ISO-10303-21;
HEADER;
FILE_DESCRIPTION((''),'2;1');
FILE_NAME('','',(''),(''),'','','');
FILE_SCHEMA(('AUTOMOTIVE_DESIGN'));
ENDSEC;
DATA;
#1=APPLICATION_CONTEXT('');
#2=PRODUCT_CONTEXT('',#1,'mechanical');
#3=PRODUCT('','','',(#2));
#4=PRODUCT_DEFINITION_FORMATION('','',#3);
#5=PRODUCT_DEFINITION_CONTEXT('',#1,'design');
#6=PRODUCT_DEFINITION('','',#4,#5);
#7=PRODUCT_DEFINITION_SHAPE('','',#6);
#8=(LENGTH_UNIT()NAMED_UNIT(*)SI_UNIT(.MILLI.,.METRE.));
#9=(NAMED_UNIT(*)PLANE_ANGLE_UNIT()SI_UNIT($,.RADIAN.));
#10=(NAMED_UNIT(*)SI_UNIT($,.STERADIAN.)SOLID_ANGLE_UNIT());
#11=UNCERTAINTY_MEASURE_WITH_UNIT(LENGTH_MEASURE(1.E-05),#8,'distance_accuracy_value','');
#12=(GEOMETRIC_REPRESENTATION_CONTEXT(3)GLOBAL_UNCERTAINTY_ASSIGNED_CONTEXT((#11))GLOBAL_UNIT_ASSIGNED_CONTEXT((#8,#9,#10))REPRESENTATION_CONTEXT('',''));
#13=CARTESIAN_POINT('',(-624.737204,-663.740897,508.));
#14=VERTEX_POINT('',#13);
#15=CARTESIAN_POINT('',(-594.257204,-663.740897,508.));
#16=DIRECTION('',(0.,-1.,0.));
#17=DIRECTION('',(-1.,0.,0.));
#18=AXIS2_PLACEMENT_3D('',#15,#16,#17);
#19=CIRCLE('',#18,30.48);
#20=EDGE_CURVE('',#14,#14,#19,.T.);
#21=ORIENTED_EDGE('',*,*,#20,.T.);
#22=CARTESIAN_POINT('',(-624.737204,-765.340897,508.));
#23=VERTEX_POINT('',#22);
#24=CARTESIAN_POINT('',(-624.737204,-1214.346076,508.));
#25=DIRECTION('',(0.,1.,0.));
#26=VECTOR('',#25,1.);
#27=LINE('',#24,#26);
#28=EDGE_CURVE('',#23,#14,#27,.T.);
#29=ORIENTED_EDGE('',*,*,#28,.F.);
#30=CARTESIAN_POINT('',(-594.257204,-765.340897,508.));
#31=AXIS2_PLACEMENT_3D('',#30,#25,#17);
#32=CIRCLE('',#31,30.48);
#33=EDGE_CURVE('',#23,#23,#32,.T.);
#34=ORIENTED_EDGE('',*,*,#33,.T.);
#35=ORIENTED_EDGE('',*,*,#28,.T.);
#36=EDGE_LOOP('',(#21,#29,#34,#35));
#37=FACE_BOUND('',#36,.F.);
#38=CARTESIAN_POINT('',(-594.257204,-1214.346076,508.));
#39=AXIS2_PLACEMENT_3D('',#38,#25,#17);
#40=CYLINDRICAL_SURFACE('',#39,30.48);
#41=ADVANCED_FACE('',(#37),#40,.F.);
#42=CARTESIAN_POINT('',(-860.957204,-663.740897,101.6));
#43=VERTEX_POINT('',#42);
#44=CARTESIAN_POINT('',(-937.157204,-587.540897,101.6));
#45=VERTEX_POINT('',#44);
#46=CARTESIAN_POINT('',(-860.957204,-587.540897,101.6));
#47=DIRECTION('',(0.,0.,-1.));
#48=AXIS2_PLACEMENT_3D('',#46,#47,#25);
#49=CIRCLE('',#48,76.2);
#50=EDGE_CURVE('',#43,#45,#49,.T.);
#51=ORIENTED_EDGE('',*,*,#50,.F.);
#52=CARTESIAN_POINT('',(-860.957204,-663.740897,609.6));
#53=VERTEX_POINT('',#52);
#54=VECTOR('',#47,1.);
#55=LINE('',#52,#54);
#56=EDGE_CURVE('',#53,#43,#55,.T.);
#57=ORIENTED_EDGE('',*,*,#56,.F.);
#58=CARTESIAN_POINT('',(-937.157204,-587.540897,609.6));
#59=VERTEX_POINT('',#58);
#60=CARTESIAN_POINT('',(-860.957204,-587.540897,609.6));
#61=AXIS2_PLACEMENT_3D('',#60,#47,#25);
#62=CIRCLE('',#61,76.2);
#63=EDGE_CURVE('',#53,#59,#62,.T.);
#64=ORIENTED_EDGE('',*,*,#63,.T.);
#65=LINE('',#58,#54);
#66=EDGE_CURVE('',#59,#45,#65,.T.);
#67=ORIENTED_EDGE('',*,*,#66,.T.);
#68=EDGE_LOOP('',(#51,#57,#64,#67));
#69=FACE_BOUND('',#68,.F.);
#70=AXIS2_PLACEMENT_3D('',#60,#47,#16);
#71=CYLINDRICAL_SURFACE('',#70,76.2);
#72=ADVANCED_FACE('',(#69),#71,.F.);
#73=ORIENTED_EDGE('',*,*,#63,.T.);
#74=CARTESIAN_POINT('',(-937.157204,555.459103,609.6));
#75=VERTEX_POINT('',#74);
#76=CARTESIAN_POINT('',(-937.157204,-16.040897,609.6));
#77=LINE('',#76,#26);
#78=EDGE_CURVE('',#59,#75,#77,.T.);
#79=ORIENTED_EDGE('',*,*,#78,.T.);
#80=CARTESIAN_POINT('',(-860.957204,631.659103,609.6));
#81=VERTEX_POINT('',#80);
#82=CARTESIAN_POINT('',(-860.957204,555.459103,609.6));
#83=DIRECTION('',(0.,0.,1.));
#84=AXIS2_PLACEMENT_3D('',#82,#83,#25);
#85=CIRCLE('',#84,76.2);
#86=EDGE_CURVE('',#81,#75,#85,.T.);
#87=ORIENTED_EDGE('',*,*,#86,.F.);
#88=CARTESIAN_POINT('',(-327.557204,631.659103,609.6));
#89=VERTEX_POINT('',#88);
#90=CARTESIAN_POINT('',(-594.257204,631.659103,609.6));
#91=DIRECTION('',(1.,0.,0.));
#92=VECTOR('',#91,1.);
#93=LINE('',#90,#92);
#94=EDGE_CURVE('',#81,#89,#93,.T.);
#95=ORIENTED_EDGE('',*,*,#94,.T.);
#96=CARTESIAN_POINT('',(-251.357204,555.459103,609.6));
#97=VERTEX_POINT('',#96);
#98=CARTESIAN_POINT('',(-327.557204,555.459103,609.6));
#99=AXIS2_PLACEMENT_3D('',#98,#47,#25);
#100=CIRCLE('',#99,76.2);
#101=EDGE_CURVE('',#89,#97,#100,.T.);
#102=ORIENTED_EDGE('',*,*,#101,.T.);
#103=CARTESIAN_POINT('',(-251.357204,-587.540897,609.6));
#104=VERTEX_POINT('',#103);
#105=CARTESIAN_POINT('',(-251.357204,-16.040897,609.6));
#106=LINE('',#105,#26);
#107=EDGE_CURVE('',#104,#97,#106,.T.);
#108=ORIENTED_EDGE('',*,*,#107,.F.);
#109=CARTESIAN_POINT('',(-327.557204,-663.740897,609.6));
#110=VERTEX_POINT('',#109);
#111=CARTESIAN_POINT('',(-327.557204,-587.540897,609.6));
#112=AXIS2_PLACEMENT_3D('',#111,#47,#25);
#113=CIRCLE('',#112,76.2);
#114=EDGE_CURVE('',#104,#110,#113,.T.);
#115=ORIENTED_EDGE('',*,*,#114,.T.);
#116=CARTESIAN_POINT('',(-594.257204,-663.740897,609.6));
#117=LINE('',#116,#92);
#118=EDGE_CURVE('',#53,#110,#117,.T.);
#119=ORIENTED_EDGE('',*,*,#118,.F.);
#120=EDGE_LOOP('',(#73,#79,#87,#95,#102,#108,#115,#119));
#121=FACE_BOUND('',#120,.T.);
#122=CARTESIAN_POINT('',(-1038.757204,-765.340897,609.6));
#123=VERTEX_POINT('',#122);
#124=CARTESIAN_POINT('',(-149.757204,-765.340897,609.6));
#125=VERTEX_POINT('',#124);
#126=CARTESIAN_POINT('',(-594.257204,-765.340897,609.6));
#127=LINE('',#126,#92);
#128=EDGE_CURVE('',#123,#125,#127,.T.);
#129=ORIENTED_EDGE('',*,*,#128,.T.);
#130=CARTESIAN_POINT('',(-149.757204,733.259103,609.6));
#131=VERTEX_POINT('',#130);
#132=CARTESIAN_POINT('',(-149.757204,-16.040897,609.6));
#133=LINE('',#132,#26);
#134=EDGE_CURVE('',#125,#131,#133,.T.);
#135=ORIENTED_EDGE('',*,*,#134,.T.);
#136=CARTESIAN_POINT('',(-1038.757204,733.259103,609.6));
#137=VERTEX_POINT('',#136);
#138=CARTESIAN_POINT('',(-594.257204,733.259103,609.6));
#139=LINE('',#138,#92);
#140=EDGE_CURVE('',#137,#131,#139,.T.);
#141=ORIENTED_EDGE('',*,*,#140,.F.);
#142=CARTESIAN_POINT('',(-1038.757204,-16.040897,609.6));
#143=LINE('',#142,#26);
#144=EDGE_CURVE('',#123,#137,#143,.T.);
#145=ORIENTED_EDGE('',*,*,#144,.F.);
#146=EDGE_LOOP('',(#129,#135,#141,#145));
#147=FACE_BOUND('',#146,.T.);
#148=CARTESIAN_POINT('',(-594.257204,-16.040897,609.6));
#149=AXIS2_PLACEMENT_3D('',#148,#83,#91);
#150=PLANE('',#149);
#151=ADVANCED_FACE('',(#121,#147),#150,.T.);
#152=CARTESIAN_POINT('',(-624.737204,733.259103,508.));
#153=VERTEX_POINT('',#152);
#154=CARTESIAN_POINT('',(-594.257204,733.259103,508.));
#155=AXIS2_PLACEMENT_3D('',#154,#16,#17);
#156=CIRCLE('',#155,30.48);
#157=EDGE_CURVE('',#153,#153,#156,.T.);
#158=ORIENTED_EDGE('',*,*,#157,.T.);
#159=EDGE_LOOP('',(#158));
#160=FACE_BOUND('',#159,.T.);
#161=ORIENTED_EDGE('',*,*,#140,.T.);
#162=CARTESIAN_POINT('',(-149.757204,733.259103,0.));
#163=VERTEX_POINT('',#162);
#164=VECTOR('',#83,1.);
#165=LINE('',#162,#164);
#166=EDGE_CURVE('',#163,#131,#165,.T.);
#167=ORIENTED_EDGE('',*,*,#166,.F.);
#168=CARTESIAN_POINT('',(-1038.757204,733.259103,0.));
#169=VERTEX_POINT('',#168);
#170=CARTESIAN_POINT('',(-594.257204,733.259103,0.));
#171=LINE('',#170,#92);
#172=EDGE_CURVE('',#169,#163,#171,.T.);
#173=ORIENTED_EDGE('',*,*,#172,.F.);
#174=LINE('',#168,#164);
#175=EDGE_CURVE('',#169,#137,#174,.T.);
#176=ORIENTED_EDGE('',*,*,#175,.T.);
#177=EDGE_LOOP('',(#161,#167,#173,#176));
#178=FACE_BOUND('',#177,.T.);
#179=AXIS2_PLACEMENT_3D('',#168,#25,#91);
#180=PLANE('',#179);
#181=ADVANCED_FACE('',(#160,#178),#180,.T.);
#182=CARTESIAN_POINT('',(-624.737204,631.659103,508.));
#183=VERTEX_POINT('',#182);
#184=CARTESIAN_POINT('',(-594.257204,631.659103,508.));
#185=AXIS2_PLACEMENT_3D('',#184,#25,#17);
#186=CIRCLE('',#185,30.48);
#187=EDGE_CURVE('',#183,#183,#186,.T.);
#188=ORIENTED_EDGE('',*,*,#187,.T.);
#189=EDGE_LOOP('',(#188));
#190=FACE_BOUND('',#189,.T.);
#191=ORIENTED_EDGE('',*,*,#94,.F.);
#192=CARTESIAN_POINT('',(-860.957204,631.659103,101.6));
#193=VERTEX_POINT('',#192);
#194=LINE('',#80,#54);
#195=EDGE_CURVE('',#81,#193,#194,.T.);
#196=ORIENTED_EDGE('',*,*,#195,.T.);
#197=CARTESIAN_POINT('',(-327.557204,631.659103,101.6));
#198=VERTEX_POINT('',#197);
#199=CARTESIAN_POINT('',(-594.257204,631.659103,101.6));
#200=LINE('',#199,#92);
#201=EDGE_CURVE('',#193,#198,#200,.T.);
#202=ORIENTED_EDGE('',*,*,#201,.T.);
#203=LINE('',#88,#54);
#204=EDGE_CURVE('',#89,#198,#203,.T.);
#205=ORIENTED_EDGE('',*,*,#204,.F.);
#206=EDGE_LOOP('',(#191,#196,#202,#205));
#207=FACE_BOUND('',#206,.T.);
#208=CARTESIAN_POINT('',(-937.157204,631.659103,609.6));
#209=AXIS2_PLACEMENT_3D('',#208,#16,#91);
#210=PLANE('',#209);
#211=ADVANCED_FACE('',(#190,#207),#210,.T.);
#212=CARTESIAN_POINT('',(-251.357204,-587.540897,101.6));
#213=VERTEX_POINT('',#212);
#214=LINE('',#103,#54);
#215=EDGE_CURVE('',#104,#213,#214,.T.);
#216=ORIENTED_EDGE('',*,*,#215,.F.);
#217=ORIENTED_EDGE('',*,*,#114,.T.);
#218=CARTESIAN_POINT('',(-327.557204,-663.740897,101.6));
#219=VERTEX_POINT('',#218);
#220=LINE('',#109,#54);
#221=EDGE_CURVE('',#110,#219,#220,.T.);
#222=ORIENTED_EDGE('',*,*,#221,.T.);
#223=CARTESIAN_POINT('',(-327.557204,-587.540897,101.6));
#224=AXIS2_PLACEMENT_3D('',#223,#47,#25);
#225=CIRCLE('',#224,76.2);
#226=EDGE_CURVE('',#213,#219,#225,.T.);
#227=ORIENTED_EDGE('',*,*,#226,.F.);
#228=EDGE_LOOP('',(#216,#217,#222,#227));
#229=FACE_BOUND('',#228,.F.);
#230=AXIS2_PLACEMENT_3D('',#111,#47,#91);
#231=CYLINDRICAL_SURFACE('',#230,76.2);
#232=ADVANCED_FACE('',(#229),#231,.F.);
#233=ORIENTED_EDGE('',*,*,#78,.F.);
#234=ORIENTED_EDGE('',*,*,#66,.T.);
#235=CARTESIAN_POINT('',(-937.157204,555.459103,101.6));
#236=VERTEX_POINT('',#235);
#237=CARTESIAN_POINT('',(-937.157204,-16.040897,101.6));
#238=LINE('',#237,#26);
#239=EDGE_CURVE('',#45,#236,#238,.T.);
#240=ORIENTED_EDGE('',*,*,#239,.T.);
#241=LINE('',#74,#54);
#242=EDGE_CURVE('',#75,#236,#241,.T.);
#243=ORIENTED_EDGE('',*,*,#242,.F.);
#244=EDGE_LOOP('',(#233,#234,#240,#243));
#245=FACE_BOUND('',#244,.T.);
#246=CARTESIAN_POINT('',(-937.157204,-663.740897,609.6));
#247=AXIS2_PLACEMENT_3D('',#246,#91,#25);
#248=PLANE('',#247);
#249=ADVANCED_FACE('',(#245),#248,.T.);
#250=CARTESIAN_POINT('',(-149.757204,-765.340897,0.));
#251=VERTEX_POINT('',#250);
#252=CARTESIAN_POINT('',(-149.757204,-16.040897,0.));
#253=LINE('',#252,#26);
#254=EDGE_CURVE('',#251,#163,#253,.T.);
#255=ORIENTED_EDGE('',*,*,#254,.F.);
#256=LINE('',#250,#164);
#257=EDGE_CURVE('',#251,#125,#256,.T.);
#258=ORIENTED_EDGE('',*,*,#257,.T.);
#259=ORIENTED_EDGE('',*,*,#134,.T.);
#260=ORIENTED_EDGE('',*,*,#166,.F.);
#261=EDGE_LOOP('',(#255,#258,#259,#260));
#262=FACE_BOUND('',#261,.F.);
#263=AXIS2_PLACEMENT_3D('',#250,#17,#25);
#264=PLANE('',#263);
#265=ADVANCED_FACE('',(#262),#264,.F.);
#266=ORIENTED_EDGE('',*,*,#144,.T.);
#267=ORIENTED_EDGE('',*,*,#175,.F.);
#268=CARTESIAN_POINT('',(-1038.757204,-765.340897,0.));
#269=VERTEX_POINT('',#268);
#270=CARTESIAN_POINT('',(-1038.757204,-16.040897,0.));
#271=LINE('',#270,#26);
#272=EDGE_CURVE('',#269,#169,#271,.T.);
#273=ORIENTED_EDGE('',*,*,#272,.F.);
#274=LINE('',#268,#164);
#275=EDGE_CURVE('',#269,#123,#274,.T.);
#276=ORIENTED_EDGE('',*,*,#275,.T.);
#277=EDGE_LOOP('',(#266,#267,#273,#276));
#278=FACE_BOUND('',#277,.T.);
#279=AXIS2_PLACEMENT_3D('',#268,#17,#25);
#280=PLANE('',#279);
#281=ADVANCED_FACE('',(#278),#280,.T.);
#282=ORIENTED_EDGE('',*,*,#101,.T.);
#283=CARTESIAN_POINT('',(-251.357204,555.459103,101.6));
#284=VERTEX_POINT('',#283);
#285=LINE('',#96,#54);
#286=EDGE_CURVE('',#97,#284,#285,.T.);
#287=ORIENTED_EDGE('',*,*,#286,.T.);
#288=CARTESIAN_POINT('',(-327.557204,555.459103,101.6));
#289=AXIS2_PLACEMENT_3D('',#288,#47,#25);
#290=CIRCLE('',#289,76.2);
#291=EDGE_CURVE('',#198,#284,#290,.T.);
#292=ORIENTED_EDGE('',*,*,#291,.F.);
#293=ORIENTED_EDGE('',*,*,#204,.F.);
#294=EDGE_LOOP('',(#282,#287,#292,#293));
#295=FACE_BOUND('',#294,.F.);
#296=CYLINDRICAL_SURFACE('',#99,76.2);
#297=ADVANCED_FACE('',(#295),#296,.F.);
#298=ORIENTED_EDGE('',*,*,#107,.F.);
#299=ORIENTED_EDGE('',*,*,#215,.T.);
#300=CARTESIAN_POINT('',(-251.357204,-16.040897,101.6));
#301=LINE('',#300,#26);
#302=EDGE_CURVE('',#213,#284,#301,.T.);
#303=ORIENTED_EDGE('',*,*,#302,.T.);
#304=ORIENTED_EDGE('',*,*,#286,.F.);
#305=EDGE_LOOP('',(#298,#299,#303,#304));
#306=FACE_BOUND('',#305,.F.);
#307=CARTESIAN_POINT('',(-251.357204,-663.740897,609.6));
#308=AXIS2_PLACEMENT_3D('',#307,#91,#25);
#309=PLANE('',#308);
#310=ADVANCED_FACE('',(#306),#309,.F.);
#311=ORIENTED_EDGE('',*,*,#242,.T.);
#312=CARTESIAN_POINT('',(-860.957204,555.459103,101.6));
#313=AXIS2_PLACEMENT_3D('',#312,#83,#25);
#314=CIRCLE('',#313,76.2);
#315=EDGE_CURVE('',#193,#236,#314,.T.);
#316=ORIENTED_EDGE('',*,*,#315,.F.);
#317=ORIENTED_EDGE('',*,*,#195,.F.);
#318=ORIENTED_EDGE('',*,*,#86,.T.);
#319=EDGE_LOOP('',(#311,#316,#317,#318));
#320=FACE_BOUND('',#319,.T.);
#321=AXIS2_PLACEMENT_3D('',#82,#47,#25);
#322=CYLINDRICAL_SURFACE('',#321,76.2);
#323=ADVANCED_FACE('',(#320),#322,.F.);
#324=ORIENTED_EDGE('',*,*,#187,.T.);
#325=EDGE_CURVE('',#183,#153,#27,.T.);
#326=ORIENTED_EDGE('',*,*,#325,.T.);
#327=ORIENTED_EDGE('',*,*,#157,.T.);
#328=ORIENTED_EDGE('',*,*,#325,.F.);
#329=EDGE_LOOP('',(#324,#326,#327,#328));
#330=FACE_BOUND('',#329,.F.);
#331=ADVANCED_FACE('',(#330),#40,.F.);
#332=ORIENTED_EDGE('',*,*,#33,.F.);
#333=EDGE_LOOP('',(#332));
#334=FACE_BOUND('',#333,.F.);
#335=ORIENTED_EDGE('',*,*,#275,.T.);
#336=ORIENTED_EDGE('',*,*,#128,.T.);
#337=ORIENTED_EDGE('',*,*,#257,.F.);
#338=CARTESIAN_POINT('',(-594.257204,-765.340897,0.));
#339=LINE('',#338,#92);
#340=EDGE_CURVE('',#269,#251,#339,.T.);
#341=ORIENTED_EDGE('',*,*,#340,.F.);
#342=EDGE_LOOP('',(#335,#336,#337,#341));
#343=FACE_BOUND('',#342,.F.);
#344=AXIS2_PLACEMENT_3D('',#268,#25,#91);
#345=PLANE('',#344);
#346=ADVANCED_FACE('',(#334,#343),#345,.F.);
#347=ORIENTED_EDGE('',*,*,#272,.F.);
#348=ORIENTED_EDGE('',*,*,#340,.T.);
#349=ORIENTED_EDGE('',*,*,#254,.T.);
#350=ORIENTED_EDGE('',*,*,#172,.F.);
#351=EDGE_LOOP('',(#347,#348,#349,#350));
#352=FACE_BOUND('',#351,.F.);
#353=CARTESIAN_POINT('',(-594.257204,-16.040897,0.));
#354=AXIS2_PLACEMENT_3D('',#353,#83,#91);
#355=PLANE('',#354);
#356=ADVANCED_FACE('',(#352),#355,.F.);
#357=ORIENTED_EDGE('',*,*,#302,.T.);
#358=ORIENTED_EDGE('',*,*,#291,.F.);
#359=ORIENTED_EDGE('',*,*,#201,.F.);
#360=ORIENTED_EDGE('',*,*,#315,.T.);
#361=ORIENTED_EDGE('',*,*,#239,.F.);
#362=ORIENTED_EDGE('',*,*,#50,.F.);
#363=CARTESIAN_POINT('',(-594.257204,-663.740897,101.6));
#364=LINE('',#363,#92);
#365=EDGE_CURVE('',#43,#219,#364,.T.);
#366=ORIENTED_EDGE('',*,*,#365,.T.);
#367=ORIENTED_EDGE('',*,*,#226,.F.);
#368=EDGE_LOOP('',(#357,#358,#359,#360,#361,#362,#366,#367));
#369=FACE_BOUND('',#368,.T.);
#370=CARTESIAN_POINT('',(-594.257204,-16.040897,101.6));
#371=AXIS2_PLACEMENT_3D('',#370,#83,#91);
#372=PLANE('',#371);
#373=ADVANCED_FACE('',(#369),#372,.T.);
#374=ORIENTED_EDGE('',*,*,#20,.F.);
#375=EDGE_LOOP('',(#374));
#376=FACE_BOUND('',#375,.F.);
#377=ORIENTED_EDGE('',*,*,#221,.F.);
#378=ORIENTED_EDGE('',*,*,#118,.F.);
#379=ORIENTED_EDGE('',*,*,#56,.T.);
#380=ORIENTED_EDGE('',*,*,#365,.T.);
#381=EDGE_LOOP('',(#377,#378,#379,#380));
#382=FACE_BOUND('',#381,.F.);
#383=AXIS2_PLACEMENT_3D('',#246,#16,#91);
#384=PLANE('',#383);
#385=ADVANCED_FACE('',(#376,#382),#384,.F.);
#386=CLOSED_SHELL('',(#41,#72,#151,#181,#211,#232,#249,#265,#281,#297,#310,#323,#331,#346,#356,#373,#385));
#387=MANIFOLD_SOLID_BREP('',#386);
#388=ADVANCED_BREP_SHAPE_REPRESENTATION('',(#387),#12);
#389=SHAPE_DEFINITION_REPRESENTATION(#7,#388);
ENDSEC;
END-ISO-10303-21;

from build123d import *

# Parameters (mm, degrees)
F0_W     = 889
F0_H     = 1498.6
F1_DEPTH = 609.6
F2_W     = 685.8
F2_H     = 1295.4
F3_DEPTH = 508
F4_R     = 76.2
F5_R     = 76.2
F6_R     = 76.2
F7_R     = 76.2
F9_D     = 60.96
F11_D    = 60.96


with BuildPart() as f1:
    # F0 (on Top) → F1 (new body)
    with BuildSketch(Plane.XY):
        with Locations((-594.257204, -16.040897)):
            Rectangle(F0_W, F0_H)
    extrude(amount=F1_DEPTH)

    # F2 (on face) → F3 (cut)
    with BuildSketch(Plane.XY.offset(609.6)):
        with Locations((-594.257204, -16.040897)):
            Rectangle(F2_W, F2_H)
    extrude(amount=-F3_DEPTH, mode=Mode.SUBTRACT)

    # F4
    f4_edges = [f1.edges().sort_by_distance(p)[0] for p in [
        (-937.157204, 631.659103, 355.6),
    ]]
    fillet(f4_edges, radius=F4_R)

    # F5
    f5_edges = [f1.edges().sort_by_distance(p)[0] for p in [
        (-251.357204, 631.659103, 355.6),
    ]]
    fillet(f5_edges, radius=F5_R)

    # F6
    f6_edges = [f1.edges().sort_by_distance(p)[0] for p in [
        (-251.357204, -663.740897, 355.6),
    ]]
    fillet(f6_edges, radius=F6_R)

    # F7
    f7_edges = [f1.edges().sort_by_distance(p)[0] for p in [
        (-937.157204, -663.740897, 355.6),
    ]]
    fillet(f7_edges, radius=F7_R)

    # F9 (through all)
    with Locations(Plane.XZ.offset(-631.659103)):
        with Locations((-594.257204, 508)):
            Hole(F9_D / 2)

    # F11 (through all)
    with Locations(Plane(origin=(0, -663.740897, 0), x_dir=(-1, 0, 0), z_dir=(0, 1, 0))):
        with Locations((594.257204, 508)):
            Hole(F11_D / 2)


solid = f1.part
